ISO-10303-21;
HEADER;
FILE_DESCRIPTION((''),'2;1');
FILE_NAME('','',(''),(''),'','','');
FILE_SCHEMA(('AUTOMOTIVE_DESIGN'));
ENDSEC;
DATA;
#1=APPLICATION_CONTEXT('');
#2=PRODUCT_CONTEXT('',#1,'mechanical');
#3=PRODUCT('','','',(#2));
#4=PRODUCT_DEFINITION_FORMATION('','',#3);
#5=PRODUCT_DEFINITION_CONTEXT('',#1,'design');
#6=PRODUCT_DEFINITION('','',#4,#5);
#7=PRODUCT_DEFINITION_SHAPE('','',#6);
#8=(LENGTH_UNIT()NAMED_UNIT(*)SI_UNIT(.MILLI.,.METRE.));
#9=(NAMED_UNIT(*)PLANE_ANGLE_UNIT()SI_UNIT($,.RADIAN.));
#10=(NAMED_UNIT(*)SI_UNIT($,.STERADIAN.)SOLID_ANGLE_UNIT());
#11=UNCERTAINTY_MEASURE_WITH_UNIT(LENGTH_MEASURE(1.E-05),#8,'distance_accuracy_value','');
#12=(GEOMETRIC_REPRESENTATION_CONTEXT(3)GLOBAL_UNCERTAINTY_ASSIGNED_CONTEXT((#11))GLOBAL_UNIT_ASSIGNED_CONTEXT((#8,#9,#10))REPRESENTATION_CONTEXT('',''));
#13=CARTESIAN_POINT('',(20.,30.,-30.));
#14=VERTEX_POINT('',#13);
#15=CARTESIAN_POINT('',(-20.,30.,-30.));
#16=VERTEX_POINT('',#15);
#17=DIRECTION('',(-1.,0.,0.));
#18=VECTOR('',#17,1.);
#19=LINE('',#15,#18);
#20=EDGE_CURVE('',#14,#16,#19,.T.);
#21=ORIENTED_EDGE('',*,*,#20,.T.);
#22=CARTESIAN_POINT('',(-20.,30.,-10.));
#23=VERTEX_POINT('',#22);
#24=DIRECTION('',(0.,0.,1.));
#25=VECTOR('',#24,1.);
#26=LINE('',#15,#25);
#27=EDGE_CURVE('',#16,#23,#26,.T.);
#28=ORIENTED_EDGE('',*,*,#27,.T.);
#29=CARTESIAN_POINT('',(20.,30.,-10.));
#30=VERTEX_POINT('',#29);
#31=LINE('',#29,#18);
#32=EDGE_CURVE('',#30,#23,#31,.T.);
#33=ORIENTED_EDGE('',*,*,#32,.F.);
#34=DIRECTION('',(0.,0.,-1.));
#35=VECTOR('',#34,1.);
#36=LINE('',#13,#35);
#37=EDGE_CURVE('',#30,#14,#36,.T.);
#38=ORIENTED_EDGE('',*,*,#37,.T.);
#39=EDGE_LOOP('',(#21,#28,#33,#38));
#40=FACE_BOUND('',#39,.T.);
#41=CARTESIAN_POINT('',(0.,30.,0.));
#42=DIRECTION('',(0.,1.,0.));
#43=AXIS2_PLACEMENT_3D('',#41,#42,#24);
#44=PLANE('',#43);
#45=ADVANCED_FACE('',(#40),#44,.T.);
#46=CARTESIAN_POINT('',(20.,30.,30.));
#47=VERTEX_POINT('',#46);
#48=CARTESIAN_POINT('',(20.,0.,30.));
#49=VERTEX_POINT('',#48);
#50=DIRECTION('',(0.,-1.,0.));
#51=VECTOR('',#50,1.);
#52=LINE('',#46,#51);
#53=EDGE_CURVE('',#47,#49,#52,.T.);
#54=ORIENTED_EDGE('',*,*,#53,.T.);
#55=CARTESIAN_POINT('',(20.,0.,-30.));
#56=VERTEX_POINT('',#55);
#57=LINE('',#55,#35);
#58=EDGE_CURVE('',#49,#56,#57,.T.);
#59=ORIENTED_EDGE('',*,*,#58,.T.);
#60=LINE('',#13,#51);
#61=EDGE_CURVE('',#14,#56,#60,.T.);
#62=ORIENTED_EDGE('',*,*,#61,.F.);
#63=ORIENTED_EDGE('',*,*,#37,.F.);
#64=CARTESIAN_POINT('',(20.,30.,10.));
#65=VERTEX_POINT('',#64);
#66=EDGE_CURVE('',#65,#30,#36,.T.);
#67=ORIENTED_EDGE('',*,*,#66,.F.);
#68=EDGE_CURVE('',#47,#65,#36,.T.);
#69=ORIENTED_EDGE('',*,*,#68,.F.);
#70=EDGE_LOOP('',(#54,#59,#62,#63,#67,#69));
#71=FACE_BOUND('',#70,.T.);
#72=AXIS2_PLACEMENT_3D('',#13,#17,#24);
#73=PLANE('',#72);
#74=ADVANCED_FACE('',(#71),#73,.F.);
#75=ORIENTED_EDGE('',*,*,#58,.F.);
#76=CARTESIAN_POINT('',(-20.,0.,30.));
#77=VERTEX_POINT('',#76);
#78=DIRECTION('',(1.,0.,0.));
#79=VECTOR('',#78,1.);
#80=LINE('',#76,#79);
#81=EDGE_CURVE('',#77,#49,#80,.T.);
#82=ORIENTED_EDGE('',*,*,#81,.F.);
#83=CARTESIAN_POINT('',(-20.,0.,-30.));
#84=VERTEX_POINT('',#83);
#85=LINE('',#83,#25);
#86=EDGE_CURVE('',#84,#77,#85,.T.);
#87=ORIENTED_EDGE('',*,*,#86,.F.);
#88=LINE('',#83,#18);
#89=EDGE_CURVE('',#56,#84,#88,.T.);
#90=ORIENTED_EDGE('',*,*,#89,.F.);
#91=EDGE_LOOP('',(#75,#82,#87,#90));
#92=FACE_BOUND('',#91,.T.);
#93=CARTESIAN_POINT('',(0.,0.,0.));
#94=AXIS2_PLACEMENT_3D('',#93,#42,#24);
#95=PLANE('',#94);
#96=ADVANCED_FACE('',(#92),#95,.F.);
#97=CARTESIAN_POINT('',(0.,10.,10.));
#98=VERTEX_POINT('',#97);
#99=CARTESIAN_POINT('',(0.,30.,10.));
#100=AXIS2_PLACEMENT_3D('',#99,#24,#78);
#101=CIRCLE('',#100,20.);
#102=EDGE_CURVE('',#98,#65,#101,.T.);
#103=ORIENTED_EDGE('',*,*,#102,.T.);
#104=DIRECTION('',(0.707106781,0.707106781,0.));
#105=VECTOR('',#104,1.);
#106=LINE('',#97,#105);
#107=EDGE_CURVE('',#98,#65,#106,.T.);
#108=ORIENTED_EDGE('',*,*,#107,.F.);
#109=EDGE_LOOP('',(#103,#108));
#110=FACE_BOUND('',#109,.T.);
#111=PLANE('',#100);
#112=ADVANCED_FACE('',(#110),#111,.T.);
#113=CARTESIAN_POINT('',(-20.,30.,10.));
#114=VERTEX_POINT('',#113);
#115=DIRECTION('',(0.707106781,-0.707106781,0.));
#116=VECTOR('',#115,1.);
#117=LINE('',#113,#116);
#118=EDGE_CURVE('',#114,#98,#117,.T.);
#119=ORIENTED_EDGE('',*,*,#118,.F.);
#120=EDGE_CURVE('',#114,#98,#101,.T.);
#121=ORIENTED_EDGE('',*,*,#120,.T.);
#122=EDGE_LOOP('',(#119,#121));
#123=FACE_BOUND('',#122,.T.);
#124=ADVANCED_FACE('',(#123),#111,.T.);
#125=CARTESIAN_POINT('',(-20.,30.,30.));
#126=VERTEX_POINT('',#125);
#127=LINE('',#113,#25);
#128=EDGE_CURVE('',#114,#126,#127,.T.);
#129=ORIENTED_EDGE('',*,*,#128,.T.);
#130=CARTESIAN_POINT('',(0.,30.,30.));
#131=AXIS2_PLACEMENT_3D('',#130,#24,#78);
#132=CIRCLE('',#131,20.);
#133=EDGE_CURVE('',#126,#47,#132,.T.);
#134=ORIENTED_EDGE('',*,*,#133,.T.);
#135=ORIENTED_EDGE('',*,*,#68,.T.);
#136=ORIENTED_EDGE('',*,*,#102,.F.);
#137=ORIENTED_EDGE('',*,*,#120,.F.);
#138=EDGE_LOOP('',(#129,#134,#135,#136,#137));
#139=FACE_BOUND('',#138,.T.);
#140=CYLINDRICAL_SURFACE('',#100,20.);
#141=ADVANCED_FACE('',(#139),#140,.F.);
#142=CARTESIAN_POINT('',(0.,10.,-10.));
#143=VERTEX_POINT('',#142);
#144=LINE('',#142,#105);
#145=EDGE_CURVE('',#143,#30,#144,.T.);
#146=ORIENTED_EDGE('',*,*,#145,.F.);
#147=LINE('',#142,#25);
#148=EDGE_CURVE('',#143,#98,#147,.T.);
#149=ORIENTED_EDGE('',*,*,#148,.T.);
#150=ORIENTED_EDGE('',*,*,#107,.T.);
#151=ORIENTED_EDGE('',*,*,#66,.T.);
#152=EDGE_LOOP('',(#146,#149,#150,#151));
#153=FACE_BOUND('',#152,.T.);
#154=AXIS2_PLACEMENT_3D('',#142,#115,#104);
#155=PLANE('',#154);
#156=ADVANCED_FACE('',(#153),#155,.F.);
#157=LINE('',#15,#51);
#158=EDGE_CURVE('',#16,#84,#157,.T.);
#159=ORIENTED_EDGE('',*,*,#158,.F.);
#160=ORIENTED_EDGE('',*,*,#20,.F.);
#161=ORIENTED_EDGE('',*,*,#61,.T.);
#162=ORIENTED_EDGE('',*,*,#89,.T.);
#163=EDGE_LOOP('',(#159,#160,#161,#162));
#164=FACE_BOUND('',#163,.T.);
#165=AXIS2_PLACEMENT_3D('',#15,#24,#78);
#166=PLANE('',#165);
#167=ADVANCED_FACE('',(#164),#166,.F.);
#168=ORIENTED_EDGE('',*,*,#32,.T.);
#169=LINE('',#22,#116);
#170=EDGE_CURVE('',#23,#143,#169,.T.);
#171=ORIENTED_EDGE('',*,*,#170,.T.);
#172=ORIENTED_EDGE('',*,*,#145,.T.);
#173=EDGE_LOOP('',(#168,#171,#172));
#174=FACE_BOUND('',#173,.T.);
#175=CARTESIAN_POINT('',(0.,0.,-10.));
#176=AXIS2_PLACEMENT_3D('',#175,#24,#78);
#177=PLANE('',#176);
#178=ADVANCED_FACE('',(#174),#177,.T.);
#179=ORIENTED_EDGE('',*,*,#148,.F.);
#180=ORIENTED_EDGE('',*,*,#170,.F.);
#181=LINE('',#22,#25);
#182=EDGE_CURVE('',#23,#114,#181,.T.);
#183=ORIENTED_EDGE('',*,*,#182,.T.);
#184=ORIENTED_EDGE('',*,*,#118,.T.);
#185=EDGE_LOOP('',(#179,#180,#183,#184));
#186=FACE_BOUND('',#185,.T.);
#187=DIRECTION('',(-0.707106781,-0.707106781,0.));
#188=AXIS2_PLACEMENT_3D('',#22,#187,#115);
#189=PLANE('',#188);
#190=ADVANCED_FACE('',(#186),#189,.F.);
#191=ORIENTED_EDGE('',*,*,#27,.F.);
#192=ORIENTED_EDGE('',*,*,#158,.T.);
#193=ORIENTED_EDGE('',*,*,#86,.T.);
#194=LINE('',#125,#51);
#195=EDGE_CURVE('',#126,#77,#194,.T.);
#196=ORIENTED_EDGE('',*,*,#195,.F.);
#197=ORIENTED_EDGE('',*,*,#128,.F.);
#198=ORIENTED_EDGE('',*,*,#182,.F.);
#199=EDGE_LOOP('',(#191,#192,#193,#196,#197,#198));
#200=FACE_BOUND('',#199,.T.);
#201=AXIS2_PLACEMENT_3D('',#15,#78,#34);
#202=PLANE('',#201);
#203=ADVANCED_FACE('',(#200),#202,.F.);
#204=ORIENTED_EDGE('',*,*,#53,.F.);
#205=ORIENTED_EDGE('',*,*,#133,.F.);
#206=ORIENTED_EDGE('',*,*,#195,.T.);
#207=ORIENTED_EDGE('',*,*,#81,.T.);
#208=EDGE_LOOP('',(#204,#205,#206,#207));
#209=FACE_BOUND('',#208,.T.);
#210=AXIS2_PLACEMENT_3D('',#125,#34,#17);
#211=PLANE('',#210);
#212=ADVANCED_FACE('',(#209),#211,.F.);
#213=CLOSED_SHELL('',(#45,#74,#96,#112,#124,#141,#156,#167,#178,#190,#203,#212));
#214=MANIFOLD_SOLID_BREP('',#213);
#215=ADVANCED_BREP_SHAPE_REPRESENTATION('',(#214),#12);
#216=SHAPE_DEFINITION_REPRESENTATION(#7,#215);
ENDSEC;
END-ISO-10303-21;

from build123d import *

# Parameters (mm, degrees)
SKETCH1_W           = 40
SKETCH1_H           = 60
BOSS_EXTRUDE1_DEPTH = 30
CUT_EXTRUDE1_DEPTH  = 20
CUT_EXTRUDE2_DEPTH  = 20


with BuildPart() as part:
    # Sketch1 → Boss-Extrude1 (new body)
    with BuildSketch(Plane(origin=(0, 0, 0), x_dir=(1, 0, 0), z_dir=(0, 1, 0))):
        Rectangle(SKETCH1_W, SKETCH1_H)
    extrude(amount=BOSS_EXTRUDE1_DEPTH)

    # Sketch2 → Cut-Extrude1 (cut)
    with BuildSketch(Plane.XY.offset(30)):
        with BuildLine():
            Line((-20, 30), (20, 30))
            ThreePointArc((20, 30), (0, 10), (-20, 30))
        make_face()
    extrude(amount=-CUT_EXTRUDE1_DEPTH, mode=Mode.SUBTRACT)

    # Sketch3 → Cut-Extrude2 (cut)
    with BuildSketch(Plane.XY.offset(10)):
        Polygon((-20, 30), (0, 10), (20, 30), align=None)
    extrude(amount=-CUT_EXTRUDE2_DEPTH, mode=Mode.SUBTRACT)


solid = part.part
